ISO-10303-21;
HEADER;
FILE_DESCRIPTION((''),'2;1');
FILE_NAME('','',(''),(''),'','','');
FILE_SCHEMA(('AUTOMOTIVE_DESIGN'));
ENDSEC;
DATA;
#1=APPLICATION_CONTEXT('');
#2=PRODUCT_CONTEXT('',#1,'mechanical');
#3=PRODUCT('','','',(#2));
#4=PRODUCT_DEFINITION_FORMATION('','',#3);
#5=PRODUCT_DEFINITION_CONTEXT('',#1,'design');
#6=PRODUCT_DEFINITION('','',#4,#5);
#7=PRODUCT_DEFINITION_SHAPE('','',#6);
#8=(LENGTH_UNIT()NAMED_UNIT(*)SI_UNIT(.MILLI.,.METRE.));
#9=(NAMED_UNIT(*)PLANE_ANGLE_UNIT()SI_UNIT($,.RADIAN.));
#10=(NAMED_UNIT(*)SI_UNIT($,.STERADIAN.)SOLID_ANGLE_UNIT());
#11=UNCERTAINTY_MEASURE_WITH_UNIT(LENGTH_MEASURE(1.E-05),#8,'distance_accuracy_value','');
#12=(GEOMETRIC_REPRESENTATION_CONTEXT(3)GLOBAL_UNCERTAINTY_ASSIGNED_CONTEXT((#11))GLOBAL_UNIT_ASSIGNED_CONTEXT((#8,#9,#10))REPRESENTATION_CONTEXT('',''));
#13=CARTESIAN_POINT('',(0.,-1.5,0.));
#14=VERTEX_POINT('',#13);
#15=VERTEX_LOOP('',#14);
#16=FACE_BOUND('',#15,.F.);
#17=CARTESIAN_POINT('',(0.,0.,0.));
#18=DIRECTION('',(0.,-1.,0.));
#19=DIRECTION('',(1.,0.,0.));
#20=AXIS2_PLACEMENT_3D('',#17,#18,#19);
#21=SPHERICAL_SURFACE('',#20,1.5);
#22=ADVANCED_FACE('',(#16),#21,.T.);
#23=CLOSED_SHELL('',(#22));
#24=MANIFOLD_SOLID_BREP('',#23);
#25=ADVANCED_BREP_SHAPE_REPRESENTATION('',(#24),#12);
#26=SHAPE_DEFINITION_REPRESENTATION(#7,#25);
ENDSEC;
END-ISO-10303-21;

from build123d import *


with BuildPart() as part:
    # Sketch1 → Revolve1 (revolve)
    with BuildSketch(Plane.XY):
        with BuildLine():
            Line((0, -1.5), (0, 1.5))
            ThreePointArc((0, 1.5), (1.5, 0), (0, -1.5))
        make_face()
    revolve(axis=Axis((0, -1.5, 0), (0, 1, 0)))


solid = part.part
